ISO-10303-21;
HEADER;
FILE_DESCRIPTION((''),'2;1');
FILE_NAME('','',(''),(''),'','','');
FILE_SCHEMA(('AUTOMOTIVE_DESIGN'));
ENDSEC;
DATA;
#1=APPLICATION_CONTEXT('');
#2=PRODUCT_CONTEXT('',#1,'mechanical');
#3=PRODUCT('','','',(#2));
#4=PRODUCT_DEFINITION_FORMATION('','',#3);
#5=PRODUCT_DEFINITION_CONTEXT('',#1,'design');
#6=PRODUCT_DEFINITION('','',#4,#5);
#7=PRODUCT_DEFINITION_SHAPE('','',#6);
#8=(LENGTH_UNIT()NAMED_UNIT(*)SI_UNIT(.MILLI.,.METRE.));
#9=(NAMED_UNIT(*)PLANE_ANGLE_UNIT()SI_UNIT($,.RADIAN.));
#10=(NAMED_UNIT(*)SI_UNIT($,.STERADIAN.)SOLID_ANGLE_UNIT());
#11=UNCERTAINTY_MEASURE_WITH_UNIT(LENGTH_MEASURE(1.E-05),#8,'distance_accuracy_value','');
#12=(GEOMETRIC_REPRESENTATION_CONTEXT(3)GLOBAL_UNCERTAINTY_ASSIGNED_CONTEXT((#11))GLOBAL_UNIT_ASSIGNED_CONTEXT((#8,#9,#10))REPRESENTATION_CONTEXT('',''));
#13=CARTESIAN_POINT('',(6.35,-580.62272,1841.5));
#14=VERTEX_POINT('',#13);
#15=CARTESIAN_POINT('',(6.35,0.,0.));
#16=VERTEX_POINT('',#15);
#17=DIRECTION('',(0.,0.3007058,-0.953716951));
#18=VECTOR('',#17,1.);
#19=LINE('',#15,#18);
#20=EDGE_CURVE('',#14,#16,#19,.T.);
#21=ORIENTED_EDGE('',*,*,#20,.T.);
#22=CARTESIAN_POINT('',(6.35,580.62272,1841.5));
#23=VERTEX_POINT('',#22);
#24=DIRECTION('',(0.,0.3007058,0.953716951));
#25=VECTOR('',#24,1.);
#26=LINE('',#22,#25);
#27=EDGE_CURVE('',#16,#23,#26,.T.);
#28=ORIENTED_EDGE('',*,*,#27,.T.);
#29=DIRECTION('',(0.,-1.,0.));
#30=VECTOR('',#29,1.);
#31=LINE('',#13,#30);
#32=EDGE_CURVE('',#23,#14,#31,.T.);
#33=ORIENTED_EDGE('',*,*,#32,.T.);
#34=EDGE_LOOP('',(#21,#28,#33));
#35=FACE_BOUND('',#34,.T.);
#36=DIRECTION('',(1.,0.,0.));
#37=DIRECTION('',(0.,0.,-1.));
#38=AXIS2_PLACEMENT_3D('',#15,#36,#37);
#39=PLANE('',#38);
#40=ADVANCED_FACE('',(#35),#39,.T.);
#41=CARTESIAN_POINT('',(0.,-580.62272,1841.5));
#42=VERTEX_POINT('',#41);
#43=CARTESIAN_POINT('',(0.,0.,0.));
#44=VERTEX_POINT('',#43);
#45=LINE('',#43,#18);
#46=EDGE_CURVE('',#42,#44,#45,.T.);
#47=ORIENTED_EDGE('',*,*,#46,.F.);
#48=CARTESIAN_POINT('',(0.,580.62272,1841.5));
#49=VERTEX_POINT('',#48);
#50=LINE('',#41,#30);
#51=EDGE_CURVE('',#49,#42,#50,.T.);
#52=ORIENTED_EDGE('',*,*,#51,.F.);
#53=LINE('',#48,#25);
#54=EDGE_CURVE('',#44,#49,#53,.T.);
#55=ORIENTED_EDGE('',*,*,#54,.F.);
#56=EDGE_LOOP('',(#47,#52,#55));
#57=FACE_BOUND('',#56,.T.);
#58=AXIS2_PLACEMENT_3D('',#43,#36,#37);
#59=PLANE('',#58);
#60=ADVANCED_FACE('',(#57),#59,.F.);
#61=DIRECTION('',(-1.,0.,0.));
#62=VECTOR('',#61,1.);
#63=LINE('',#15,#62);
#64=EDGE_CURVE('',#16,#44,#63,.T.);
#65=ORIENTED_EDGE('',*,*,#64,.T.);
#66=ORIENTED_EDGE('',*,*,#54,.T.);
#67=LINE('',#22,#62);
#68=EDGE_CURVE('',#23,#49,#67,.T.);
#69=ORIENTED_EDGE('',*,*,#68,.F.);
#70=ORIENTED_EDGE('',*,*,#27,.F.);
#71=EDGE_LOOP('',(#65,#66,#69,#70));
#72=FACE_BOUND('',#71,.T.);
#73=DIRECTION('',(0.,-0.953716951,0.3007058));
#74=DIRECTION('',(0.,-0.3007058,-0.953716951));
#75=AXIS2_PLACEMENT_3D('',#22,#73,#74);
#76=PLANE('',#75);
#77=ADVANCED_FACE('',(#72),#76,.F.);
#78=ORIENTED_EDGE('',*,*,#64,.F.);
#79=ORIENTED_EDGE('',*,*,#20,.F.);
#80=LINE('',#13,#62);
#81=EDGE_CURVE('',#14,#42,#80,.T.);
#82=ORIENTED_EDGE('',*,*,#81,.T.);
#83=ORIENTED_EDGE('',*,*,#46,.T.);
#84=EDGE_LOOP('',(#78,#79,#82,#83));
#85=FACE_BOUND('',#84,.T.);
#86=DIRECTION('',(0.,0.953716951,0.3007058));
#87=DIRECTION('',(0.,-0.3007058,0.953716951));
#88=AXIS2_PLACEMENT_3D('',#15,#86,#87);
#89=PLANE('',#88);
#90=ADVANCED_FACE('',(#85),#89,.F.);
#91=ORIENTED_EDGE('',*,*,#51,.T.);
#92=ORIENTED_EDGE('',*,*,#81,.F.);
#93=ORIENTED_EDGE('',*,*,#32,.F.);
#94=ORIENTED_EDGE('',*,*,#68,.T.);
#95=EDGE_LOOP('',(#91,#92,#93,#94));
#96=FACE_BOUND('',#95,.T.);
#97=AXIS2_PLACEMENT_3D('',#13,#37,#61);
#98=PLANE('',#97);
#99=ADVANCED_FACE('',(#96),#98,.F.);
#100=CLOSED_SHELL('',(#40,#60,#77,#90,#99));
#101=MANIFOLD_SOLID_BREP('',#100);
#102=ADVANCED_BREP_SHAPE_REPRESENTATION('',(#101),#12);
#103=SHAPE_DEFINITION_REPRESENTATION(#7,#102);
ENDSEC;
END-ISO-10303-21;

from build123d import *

# Parameters (mm, degrees)
BOSS_EXTRUDE1_DEPTH = 6.35


with BuildPart() as part:
    # Sketch1 → Boss-Extrude1 (new body)
    with BuildSketch(Plane.YZ):
        Polygon((0, 0), (-580.622719721, 1841.5), (580.622719721, 1841.5), align=None)
    extrude(amount=BOSS_EXTRUDE1_DEPTH)


solid = part.part
